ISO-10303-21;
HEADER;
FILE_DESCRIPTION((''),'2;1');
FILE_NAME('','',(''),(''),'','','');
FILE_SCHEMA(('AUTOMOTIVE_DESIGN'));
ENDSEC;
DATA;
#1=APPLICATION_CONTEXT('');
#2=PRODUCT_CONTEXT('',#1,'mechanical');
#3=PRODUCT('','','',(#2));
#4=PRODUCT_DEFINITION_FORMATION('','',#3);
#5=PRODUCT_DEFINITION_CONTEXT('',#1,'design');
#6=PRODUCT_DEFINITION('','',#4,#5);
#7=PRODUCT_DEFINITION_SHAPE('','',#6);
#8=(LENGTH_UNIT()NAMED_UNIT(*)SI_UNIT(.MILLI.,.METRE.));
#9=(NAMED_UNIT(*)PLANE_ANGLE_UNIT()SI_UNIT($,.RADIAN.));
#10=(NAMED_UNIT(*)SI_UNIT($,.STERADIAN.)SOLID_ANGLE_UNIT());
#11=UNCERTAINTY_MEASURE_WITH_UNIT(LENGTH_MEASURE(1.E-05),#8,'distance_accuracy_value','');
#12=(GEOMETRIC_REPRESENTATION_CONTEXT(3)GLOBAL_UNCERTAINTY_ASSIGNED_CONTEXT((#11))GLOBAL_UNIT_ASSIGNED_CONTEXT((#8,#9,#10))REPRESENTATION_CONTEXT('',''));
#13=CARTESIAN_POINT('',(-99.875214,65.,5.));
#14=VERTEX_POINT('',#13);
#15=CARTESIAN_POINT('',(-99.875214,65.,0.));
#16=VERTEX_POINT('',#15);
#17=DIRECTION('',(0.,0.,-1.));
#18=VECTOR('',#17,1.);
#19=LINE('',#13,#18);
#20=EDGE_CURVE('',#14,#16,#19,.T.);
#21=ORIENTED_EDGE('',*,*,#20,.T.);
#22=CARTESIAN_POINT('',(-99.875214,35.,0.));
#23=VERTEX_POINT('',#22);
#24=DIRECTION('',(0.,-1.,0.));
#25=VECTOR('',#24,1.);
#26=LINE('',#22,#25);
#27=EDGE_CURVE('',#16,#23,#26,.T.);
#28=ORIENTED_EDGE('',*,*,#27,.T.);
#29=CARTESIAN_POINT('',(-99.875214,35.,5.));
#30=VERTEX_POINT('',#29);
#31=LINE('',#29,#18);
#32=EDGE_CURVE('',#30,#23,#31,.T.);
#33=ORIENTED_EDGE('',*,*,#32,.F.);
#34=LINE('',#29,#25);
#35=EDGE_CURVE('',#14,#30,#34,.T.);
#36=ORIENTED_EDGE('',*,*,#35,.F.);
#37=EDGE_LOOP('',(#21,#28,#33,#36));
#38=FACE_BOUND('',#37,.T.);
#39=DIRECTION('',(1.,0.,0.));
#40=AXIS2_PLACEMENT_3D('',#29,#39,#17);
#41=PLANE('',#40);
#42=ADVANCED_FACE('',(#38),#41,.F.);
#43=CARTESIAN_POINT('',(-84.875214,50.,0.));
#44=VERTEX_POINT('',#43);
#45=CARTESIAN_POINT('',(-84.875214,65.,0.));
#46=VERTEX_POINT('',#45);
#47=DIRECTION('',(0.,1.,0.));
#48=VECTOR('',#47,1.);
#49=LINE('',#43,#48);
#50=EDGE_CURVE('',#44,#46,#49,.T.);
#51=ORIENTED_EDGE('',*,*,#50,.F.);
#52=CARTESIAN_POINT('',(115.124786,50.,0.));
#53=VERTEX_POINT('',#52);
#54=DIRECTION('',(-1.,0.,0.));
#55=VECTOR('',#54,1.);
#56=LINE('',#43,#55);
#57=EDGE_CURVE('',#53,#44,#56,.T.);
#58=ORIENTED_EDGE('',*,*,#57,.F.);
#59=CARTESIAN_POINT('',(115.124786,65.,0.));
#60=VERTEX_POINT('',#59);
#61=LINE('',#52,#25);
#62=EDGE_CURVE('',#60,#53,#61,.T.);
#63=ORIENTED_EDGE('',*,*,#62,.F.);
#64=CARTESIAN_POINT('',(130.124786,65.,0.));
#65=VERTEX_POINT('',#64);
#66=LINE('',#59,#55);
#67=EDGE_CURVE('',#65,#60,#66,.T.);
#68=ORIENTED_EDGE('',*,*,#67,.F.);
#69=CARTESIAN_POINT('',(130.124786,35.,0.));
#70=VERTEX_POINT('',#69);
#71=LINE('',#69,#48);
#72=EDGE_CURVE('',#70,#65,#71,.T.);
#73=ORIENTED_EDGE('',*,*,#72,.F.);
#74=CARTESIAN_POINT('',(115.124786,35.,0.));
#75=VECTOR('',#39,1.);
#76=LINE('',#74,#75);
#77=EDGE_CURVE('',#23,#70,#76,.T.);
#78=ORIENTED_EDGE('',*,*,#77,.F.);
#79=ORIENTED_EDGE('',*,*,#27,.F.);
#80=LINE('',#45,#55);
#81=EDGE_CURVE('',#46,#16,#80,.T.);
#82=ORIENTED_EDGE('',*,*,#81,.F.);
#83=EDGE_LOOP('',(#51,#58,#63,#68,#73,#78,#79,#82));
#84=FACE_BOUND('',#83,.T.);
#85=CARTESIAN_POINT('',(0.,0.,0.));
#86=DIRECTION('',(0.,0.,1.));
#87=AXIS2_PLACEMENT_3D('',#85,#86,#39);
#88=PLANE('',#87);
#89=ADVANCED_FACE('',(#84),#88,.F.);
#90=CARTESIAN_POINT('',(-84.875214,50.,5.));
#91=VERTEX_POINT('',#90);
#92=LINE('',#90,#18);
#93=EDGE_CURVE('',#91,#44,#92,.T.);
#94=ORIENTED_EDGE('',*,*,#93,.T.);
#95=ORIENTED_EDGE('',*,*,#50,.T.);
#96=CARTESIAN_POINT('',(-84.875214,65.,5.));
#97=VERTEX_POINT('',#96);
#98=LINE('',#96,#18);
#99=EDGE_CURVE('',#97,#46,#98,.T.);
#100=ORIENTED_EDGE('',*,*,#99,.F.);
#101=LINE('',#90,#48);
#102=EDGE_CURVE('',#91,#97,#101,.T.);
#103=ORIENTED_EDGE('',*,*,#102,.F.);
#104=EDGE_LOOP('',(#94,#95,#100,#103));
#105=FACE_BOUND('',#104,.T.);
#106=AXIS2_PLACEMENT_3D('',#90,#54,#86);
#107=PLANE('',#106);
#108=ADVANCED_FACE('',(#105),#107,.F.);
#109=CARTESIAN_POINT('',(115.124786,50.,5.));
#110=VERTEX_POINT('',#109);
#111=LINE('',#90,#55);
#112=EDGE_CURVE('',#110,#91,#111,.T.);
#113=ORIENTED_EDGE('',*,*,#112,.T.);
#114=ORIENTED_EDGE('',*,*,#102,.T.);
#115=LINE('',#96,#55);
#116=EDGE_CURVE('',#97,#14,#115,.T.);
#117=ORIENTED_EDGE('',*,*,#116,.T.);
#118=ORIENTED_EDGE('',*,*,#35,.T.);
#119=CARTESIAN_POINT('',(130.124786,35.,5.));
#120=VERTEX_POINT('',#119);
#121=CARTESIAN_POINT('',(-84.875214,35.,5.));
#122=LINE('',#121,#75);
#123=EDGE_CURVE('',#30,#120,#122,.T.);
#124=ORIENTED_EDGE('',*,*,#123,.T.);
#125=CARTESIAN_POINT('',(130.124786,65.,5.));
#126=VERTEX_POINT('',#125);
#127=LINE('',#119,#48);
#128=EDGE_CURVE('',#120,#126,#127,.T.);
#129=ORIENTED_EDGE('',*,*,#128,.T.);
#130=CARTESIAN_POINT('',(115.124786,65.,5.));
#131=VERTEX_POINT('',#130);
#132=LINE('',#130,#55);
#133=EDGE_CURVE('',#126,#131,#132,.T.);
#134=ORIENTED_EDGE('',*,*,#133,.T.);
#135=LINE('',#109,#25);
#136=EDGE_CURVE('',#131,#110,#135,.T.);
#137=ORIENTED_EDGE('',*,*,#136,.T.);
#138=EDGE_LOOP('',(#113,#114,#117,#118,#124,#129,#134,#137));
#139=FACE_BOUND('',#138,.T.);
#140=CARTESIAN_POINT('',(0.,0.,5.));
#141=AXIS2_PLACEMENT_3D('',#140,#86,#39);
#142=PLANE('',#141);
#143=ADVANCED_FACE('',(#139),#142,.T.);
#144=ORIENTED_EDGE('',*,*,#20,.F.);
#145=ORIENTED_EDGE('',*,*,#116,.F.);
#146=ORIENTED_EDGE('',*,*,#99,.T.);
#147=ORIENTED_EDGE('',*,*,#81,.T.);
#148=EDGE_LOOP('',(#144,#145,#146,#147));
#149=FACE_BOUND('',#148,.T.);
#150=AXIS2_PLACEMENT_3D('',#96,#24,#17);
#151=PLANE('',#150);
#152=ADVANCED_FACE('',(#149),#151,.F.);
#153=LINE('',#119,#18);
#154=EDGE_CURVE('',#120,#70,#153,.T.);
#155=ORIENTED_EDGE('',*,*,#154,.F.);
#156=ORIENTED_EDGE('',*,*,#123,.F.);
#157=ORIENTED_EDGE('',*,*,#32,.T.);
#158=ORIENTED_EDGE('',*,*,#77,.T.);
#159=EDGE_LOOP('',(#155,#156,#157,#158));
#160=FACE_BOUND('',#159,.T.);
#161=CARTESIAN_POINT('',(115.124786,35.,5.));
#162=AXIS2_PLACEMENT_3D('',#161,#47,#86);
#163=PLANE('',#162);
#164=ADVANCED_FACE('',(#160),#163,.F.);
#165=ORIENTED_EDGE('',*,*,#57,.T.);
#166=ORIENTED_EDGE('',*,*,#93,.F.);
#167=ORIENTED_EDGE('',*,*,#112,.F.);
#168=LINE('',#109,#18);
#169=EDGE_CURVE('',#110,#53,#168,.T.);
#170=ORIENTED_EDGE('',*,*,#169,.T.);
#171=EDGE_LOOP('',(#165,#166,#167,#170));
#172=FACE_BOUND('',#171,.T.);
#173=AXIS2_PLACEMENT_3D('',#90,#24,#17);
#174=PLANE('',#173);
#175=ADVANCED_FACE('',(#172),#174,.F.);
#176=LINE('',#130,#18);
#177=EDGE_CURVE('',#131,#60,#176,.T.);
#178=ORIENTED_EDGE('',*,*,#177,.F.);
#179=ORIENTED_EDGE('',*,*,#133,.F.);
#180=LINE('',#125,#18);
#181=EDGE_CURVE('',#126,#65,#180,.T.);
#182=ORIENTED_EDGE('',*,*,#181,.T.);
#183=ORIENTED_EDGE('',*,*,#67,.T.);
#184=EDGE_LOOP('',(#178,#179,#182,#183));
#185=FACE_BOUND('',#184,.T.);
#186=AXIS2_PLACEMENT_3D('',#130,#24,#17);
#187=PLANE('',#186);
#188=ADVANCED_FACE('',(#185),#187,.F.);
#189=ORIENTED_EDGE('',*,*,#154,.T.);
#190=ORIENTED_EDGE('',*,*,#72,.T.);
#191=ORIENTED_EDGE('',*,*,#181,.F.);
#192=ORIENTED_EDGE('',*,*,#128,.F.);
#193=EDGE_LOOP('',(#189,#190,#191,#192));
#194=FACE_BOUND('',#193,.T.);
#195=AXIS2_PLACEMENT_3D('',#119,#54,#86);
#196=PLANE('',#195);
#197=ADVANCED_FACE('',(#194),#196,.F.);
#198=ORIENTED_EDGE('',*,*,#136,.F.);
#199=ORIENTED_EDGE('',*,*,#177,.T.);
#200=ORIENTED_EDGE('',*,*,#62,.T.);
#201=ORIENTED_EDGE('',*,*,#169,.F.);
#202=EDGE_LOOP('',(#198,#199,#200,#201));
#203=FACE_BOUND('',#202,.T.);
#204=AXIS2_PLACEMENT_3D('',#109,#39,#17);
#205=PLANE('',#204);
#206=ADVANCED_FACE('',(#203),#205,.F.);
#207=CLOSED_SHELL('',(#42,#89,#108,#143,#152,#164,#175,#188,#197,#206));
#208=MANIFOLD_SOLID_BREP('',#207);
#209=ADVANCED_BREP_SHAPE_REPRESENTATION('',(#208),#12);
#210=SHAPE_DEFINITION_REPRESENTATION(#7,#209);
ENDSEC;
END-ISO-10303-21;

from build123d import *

# Parameters (mm, degrees)
SALIENTE_EXTRUIR1_DEPTH = 5


with BuildPart() as part:
    # Croquis1 → Saliente-Extruir1 (new body)
    with BuildSketch(Plane.XY):
        Polygon((-84.875213559, 50), (115.124786441, 50), (115.124786441, 65), (130.124786441, 65), (130.124786441, 35), (115.124786441, 35), (-84.875213559, 35), (-99.875213559, 35), (-99.875213559, 65), (-84.875213559, 65), align=None)
    extrude(amount=SALIENTE_EXTRUIR1_DEPTH)


solid = part.part
